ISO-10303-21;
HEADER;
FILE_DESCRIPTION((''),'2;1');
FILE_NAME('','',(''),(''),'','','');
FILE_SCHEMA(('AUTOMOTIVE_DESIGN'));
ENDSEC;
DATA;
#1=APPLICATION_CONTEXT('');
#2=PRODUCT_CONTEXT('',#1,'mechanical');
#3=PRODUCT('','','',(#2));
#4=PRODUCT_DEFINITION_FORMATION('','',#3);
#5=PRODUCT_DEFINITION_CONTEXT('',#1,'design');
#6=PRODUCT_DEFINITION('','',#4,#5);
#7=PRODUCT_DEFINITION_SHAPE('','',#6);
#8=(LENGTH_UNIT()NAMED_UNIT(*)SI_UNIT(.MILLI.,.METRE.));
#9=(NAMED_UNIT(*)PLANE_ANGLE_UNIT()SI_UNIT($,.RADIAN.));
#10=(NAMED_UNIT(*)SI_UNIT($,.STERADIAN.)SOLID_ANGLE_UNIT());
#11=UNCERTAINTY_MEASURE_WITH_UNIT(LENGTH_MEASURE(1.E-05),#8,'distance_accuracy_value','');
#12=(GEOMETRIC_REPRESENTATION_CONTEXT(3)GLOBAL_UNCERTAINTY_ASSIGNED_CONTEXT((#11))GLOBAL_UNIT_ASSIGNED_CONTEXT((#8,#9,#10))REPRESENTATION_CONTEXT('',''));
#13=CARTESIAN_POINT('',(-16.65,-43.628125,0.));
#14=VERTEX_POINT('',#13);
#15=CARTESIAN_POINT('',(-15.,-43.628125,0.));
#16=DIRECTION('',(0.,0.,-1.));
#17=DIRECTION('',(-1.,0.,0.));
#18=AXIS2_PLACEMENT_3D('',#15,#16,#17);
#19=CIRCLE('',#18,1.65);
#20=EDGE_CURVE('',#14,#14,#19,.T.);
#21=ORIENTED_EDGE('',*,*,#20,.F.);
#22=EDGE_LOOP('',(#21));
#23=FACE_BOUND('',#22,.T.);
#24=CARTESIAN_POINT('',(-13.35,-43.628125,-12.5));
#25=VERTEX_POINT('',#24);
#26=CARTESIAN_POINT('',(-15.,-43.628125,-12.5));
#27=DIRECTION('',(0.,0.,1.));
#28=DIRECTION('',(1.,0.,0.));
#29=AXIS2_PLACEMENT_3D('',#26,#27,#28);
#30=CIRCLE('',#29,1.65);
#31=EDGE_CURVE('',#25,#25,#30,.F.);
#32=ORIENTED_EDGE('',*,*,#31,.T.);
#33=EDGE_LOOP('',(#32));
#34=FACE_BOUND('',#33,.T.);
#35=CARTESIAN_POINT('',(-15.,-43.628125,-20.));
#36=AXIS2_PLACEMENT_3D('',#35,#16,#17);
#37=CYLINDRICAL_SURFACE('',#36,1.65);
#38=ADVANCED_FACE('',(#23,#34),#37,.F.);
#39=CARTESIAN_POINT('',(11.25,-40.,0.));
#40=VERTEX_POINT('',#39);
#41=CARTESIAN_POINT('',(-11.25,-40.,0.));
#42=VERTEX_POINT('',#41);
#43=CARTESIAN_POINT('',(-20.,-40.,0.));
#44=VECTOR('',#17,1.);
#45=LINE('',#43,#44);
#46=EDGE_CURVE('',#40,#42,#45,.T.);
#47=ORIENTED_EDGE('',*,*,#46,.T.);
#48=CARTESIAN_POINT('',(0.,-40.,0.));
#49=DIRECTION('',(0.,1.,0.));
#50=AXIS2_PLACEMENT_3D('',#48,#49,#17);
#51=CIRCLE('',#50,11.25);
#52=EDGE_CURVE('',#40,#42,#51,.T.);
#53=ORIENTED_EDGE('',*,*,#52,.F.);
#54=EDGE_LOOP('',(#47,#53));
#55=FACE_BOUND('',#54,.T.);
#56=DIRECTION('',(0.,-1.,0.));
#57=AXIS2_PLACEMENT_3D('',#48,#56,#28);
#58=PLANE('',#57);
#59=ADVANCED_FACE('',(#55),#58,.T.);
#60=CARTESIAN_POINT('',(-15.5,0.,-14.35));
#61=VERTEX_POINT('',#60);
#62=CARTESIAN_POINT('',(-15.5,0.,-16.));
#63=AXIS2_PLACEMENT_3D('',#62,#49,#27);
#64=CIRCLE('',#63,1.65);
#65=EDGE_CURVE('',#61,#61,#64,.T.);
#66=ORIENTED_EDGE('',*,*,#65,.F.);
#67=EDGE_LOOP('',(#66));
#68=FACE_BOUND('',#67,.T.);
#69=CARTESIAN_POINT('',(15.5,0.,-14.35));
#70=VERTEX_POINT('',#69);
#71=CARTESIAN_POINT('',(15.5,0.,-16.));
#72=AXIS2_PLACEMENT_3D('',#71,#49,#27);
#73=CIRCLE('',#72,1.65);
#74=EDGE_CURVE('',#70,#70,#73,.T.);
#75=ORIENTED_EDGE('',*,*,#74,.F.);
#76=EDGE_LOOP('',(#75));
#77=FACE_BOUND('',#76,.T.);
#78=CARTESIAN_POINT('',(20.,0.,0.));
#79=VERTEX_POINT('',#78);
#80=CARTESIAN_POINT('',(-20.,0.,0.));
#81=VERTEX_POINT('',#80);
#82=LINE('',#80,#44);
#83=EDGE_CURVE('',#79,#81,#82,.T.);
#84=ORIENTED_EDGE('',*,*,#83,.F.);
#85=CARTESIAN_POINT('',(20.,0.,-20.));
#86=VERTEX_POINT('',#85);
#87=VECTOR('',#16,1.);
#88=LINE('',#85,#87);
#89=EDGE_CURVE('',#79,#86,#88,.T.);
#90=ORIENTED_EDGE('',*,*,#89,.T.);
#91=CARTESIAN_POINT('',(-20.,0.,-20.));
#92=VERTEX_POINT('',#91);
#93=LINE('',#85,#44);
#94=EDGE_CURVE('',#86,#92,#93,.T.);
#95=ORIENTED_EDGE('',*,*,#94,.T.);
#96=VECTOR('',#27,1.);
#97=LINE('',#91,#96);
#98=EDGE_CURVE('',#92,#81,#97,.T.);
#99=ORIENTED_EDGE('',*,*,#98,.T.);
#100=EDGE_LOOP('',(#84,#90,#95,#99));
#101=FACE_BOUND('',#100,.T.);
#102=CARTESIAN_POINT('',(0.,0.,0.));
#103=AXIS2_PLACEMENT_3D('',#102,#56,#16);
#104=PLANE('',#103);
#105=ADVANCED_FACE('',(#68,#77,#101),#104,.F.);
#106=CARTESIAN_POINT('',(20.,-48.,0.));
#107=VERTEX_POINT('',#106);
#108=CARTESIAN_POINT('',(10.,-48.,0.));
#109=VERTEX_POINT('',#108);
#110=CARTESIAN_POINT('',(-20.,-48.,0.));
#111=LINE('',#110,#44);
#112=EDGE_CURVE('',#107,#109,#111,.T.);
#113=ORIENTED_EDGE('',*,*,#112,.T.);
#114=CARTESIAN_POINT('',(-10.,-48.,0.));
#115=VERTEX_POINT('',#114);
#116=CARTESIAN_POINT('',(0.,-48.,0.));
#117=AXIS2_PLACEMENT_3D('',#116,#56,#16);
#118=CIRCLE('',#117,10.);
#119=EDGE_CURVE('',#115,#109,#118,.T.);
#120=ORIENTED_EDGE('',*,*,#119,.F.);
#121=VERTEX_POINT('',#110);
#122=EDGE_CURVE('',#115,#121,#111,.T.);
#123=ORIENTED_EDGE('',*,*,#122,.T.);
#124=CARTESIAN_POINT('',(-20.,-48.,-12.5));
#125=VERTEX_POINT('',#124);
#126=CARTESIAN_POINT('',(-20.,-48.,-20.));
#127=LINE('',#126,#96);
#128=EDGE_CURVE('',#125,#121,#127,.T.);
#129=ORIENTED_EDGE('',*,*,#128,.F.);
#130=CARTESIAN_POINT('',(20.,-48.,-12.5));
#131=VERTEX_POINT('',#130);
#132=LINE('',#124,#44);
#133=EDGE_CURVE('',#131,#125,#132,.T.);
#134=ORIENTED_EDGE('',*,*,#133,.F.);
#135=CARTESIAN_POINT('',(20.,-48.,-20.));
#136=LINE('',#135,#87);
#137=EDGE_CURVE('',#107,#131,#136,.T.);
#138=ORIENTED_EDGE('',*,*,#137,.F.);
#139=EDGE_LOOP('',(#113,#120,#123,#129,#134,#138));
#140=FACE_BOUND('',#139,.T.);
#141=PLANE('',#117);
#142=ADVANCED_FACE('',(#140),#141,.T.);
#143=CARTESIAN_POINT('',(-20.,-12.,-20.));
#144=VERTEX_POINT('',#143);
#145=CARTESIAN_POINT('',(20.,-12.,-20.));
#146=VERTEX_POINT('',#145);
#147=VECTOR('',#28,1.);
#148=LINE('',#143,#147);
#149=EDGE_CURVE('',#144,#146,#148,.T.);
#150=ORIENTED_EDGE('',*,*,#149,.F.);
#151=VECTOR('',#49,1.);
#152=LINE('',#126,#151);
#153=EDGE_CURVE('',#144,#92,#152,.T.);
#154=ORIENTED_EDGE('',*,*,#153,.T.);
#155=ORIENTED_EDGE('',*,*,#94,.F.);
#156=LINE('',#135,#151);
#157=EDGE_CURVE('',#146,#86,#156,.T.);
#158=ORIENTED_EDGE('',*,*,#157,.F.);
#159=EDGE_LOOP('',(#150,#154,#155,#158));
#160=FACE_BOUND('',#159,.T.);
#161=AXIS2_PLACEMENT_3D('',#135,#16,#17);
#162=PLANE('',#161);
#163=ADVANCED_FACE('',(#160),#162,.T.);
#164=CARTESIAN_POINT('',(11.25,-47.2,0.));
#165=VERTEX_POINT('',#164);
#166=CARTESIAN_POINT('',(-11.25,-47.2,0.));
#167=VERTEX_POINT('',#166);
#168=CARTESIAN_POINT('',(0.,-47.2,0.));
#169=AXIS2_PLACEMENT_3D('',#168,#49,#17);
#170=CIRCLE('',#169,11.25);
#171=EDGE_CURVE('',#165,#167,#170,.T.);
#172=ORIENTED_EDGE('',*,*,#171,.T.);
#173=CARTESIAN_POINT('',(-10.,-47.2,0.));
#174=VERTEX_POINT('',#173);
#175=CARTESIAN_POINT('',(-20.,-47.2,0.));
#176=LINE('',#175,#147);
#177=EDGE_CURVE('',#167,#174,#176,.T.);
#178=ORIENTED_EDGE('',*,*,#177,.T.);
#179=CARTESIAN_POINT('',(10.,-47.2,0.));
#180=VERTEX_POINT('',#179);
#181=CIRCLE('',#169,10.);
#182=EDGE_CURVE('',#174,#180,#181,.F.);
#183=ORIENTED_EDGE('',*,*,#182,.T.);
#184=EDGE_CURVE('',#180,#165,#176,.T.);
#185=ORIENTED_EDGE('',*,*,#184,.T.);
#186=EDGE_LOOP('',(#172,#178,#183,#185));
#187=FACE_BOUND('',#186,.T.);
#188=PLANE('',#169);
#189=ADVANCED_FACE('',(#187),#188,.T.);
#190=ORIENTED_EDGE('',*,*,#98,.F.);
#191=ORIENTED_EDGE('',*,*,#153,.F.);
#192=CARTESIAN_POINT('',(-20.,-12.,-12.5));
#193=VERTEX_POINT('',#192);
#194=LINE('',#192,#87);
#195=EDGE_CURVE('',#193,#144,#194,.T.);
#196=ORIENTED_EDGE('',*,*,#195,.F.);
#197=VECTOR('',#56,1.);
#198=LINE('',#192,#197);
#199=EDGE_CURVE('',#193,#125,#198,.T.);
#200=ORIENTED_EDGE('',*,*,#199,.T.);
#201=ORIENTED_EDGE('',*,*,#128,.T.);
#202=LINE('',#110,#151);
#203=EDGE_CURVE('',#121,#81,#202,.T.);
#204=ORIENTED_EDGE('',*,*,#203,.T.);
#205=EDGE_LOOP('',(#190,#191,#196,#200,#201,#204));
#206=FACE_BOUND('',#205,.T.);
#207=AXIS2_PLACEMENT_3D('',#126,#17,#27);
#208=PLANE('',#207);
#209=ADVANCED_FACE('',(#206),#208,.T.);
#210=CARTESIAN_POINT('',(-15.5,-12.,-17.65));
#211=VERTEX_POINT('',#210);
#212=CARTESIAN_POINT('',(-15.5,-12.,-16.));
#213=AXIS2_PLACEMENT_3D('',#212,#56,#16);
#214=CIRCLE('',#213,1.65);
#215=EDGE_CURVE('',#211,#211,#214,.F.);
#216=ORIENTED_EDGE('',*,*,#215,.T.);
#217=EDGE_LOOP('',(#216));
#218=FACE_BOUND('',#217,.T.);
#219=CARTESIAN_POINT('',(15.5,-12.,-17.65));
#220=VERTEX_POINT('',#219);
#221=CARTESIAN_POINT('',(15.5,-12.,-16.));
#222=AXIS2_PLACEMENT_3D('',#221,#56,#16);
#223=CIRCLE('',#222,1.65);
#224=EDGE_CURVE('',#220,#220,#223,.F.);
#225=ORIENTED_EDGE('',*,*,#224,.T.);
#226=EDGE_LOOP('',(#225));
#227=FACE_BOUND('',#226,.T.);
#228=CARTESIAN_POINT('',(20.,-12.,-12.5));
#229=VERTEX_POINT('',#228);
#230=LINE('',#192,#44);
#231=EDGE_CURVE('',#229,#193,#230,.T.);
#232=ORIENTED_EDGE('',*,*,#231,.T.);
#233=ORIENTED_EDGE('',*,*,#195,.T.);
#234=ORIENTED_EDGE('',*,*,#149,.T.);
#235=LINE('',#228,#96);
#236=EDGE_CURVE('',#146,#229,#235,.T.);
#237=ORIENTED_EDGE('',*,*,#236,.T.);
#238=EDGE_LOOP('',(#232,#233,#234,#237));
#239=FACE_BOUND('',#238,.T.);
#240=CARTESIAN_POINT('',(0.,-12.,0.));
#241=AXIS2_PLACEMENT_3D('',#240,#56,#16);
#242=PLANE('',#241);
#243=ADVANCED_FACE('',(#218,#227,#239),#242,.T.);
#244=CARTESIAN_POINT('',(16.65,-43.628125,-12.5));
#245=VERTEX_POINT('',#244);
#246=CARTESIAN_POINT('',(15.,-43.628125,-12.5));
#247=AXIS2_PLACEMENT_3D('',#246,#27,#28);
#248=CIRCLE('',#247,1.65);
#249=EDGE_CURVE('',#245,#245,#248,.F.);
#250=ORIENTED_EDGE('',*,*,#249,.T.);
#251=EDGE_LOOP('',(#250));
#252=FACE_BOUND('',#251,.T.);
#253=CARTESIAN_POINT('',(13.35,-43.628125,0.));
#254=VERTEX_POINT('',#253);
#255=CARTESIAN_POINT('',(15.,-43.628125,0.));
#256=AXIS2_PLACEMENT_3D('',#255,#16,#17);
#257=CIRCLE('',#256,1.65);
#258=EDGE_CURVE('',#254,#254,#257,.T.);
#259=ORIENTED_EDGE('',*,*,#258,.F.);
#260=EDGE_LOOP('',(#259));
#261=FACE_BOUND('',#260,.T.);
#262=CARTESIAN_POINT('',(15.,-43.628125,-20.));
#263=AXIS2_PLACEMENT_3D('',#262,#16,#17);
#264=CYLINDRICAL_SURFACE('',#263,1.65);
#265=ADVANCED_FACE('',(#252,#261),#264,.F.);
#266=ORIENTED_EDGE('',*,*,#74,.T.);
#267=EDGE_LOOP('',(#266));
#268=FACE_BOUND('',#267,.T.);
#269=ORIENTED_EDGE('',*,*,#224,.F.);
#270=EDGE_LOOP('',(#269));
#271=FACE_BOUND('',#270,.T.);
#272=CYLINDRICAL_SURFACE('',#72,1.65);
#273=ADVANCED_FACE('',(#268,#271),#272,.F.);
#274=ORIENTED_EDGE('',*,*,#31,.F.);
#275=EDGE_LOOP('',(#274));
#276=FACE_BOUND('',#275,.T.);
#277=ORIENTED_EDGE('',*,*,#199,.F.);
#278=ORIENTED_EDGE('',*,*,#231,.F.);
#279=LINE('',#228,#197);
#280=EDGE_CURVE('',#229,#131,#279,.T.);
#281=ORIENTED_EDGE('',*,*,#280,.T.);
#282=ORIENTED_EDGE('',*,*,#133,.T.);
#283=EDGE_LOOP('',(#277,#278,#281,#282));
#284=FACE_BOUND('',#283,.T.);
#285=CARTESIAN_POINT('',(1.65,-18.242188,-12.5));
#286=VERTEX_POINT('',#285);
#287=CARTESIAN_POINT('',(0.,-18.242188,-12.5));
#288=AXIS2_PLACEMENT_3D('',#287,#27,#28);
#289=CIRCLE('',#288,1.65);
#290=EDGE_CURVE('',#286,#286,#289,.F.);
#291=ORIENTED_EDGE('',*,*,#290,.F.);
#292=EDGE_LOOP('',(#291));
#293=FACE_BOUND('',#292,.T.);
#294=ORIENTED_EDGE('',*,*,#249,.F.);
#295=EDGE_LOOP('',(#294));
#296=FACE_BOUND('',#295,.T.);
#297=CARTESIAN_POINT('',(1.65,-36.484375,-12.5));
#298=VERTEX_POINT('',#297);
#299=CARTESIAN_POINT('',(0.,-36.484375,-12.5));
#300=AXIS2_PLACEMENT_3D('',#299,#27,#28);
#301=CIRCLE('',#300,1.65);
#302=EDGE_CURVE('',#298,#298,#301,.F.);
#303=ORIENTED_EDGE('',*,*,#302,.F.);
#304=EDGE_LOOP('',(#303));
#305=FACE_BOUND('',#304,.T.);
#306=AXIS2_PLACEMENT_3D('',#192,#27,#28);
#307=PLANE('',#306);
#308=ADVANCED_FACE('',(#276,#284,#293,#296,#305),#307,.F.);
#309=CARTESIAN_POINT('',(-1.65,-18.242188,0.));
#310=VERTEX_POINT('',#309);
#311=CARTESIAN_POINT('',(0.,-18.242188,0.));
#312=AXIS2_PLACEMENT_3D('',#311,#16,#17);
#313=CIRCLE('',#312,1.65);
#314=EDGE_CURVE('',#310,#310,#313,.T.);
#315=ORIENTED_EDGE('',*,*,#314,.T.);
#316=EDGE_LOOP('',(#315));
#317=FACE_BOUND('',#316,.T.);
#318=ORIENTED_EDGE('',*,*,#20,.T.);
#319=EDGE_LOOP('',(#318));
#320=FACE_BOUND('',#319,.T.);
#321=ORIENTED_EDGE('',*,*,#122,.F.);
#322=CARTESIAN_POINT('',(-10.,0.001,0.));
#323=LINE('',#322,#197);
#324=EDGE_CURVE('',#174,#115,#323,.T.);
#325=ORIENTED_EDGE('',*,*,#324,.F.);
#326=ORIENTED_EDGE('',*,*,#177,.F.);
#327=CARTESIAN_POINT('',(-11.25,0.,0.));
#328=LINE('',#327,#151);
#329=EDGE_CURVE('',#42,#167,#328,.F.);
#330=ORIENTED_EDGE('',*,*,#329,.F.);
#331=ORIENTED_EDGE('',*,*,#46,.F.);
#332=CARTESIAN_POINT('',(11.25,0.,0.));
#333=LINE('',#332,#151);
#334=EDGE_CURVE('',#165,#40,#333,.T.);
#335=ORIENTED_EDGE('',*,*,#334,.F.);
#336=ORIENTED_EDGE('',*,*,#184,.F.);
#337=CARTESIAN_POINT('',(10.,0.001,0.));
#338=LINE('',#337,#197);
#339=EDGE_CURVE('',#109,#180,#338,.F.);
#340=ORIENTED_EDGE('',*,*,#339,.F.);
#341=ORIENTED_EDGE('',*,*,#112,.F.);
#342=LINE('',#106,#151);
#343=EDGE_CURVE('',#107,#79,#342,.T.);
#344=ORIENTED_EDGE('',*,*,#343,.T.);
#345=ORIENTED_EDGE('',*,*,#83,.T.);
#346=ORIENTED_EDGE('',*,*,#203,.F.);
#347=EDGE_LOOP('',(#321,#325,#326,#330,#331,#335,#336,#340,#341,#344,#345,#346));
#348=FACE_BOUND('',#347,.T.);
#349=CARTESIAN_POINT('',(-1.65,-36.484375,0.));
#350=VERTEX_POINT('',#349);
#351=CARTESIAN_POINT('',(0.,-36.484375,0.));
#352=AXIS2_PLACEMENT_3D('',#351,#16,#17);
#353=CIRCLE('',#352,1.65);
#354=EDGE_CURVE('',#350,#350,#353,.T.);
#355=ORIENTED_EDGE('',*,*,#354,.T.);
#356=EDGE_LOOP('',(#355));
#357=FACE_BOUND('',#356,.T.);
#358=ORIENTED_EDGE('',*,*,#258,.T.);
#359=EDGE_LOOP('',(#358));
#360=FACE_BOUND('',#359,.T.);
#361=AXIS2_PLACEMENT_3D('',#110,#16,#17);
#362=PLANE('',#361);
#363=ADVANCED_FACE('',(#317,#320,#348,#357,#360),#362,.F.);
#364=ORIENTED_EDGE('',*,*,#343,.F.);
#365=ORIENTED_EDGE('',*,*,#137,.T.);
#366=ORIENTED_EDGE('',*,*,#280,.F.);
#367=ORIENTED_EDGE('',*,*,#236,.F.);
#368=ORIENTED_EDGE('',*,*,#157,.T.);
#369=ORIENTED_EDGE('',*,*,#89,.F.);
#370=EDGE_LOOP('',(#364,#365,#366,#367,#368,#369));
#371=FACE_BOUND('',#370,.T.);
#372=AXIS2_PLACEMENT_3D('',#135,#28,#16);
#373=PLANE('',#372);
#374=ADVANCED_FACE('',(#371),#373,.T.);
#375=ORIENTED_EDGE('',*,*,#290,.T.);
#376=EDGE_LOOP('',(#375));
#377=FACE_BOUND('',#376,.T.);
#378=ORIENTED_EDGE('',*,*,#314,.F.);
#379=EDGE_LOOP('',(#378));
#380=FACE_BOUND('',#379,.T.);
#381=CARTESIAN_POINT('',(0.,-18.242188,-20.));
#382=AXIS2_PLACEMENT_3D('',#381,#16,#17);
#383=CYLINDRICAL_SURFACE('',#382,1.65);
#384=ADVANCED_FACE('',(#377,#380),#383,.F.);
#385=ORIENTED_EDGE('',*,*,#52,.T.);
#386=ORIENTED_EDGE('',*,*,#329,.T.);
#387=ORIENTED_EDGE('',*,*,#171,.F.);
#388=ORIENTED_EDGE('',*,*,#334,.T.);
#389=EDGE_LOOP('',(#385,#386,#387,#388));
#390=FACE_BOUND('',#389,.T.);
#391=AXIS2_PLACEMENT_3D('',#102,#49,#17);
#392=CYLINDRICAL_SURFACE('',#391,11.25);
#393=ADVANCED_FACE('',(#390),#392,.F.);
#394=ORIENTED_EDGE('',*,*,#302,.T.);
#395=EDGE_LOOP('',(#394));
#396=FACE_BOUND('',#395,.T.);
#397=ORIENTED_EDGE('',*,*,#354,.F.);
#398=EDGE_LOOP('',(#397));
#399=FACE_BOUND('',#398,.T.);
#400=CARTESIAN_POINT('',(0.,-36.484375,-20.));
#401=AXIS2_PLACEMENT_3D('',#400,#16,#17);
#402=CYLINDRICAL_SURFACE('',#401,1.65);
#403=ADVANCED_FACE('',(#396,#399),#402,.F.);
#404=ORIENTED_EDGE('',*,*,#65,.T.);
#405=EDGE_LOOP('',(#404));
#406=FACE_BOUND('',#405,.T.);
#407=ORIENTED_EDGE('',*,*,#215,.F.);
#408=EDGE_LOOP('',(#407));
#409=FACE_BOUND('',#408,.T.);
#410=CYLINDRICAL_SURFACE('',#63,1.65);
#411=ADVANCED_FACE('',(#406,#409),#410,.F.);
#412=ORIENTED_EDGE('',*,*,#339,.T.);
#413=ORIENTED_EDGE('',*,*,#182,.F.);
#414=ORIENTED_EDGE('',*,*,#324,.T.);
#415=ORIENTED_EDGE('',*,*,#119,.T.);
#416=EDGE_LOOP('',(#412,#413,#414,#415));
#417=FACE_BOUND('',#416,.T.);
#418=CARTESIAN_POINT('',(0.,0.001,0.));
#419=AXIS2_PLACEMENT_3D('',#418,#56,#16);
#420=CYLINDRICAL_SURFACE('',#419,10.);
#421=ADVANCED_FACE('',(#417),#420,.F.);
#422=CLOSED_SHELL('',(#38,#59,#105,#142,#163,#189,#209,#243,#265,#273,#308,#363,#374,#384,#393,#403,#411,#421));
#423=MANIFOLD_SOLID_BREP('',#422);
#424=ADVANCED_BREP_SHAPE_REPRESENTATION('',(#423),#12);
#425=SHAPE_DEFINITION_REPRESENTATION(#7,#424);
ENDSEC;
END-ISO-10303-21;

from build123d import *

# Parameters (mm, degrees)
SKETCH1_W             = 40
SKETCH1_H             = 40
BOSS_EXTRUDE1_DEPTH   = 48
M4X0_7_TAPPED_HOLE1_D = 3.3
SKETCH10_W            = 40
SKETCH10_H            = 20
CUT_EXTRUDE4_DEPTH    = 49
SKETCH11_W            = 11.25
SKETCH11_H            = 7.2
CUT_EXTRUDE5_REACH    = 50
SKETCH12_R            = 10
M4X0_7_TAPPED_HOLE2_D = 3.3
SKETCH15_W            = 40
SKETCH15_H            = 7.5
CUT_EXTRUDE6_DEPTH    = 36


with BuildPart() as part:
    # Sketch1 → Boss-Extrude1 (new body)
    with BuildSketch(Plane(origin=(0, 0, 0), x_dir=(1, 0, 0), z_dir=(0, 1, 0))):
        Rectangle(SKETCH1_W, SKETCH1_H)
    extrude(amount=-BOSS_EXTRUDE1_DEPTH)

    # M4x0.7 Tapped Hole1 (through all)
    with Locations(Plane(origin=(0, 0, 0), x_dir=(1, 0, 0), z_dir=(0, 1, 0))):
        with Locations((-15.5, 16), (15.5, 16), (15.5, -16), (-15.5, -16)):
            Hole(M4X0_7_TAPPED_HOLE1_D / 2)

    # Sketch10 → Cut-Extrude4 (cut, through all)
    with BuildSketch(Plane(origin=(0, 0, 0), x_dir=(1, 0, 0), z_dir=(0, 1, 0))):
        with Locations((0, -10)):
            Rectangle(SKETCH10_W, SKETCH10_H)
    extrude(amount=-CUT_EXTRUDE4_DEPTH, mode=Mode.SUBTRACT)

    # Sketch11 → Cut-Revolve2 (revolve, cut)
    with BuildSketch(Plane.XY):
        with Locations((5.625, -43.6)):
            Rectangle(SKETCH11_W, SKETCH11_H)
    revolve(axis=Axis((0, 0, 0), (0, -1, 0)), mode=Mode.SUBTRACT)

    # Sketch12 → Cut-Extrude5 (cut, up to next)
    with BuildSketch(Plane.XZ.offset(48), mode=Mode.PRIVATE) as cut_extrude5_sk1:
        Circle(SKETCH12_R)
    cut_extrude5_tool1 = extrude(cut_extrude5_sk1.sketch, amount=-CUT_EXTRUDE5_REACH, mode=Mode.PRIVATE) & part.part
    add(cut_extrude5_tool1.solids().sort_by_distance((0, -48, 0))[0], mode=Mode.SUBTRACT)

    # M4x0.7 Tapped Hole2 (through all)
    with Locations(Plane(origin=(0, 0, -20), x_dir=(-1, 0, 0), z_dir=(0, 0, -1))):
        with Locations((15, -43.628125), (-15, -43.628125), (0, -36.484375), (0, -18.2421875)):
            Hole(M4X0_7_TAPPED_HOLE2_D / 2)

    # Sketch15 → Cut-Extrude6 (cut)
    with BuildSketch(Plane.XZ.offset(48)):
        with Locations((0, -16.25)):
            Rectangle(SKETCH15_W, SKETCH15_H)
    extrude(amount=-CUT_EXTRUDE6_DEPTH, mode=Mode.SUBTRACT)


solid = part.part
